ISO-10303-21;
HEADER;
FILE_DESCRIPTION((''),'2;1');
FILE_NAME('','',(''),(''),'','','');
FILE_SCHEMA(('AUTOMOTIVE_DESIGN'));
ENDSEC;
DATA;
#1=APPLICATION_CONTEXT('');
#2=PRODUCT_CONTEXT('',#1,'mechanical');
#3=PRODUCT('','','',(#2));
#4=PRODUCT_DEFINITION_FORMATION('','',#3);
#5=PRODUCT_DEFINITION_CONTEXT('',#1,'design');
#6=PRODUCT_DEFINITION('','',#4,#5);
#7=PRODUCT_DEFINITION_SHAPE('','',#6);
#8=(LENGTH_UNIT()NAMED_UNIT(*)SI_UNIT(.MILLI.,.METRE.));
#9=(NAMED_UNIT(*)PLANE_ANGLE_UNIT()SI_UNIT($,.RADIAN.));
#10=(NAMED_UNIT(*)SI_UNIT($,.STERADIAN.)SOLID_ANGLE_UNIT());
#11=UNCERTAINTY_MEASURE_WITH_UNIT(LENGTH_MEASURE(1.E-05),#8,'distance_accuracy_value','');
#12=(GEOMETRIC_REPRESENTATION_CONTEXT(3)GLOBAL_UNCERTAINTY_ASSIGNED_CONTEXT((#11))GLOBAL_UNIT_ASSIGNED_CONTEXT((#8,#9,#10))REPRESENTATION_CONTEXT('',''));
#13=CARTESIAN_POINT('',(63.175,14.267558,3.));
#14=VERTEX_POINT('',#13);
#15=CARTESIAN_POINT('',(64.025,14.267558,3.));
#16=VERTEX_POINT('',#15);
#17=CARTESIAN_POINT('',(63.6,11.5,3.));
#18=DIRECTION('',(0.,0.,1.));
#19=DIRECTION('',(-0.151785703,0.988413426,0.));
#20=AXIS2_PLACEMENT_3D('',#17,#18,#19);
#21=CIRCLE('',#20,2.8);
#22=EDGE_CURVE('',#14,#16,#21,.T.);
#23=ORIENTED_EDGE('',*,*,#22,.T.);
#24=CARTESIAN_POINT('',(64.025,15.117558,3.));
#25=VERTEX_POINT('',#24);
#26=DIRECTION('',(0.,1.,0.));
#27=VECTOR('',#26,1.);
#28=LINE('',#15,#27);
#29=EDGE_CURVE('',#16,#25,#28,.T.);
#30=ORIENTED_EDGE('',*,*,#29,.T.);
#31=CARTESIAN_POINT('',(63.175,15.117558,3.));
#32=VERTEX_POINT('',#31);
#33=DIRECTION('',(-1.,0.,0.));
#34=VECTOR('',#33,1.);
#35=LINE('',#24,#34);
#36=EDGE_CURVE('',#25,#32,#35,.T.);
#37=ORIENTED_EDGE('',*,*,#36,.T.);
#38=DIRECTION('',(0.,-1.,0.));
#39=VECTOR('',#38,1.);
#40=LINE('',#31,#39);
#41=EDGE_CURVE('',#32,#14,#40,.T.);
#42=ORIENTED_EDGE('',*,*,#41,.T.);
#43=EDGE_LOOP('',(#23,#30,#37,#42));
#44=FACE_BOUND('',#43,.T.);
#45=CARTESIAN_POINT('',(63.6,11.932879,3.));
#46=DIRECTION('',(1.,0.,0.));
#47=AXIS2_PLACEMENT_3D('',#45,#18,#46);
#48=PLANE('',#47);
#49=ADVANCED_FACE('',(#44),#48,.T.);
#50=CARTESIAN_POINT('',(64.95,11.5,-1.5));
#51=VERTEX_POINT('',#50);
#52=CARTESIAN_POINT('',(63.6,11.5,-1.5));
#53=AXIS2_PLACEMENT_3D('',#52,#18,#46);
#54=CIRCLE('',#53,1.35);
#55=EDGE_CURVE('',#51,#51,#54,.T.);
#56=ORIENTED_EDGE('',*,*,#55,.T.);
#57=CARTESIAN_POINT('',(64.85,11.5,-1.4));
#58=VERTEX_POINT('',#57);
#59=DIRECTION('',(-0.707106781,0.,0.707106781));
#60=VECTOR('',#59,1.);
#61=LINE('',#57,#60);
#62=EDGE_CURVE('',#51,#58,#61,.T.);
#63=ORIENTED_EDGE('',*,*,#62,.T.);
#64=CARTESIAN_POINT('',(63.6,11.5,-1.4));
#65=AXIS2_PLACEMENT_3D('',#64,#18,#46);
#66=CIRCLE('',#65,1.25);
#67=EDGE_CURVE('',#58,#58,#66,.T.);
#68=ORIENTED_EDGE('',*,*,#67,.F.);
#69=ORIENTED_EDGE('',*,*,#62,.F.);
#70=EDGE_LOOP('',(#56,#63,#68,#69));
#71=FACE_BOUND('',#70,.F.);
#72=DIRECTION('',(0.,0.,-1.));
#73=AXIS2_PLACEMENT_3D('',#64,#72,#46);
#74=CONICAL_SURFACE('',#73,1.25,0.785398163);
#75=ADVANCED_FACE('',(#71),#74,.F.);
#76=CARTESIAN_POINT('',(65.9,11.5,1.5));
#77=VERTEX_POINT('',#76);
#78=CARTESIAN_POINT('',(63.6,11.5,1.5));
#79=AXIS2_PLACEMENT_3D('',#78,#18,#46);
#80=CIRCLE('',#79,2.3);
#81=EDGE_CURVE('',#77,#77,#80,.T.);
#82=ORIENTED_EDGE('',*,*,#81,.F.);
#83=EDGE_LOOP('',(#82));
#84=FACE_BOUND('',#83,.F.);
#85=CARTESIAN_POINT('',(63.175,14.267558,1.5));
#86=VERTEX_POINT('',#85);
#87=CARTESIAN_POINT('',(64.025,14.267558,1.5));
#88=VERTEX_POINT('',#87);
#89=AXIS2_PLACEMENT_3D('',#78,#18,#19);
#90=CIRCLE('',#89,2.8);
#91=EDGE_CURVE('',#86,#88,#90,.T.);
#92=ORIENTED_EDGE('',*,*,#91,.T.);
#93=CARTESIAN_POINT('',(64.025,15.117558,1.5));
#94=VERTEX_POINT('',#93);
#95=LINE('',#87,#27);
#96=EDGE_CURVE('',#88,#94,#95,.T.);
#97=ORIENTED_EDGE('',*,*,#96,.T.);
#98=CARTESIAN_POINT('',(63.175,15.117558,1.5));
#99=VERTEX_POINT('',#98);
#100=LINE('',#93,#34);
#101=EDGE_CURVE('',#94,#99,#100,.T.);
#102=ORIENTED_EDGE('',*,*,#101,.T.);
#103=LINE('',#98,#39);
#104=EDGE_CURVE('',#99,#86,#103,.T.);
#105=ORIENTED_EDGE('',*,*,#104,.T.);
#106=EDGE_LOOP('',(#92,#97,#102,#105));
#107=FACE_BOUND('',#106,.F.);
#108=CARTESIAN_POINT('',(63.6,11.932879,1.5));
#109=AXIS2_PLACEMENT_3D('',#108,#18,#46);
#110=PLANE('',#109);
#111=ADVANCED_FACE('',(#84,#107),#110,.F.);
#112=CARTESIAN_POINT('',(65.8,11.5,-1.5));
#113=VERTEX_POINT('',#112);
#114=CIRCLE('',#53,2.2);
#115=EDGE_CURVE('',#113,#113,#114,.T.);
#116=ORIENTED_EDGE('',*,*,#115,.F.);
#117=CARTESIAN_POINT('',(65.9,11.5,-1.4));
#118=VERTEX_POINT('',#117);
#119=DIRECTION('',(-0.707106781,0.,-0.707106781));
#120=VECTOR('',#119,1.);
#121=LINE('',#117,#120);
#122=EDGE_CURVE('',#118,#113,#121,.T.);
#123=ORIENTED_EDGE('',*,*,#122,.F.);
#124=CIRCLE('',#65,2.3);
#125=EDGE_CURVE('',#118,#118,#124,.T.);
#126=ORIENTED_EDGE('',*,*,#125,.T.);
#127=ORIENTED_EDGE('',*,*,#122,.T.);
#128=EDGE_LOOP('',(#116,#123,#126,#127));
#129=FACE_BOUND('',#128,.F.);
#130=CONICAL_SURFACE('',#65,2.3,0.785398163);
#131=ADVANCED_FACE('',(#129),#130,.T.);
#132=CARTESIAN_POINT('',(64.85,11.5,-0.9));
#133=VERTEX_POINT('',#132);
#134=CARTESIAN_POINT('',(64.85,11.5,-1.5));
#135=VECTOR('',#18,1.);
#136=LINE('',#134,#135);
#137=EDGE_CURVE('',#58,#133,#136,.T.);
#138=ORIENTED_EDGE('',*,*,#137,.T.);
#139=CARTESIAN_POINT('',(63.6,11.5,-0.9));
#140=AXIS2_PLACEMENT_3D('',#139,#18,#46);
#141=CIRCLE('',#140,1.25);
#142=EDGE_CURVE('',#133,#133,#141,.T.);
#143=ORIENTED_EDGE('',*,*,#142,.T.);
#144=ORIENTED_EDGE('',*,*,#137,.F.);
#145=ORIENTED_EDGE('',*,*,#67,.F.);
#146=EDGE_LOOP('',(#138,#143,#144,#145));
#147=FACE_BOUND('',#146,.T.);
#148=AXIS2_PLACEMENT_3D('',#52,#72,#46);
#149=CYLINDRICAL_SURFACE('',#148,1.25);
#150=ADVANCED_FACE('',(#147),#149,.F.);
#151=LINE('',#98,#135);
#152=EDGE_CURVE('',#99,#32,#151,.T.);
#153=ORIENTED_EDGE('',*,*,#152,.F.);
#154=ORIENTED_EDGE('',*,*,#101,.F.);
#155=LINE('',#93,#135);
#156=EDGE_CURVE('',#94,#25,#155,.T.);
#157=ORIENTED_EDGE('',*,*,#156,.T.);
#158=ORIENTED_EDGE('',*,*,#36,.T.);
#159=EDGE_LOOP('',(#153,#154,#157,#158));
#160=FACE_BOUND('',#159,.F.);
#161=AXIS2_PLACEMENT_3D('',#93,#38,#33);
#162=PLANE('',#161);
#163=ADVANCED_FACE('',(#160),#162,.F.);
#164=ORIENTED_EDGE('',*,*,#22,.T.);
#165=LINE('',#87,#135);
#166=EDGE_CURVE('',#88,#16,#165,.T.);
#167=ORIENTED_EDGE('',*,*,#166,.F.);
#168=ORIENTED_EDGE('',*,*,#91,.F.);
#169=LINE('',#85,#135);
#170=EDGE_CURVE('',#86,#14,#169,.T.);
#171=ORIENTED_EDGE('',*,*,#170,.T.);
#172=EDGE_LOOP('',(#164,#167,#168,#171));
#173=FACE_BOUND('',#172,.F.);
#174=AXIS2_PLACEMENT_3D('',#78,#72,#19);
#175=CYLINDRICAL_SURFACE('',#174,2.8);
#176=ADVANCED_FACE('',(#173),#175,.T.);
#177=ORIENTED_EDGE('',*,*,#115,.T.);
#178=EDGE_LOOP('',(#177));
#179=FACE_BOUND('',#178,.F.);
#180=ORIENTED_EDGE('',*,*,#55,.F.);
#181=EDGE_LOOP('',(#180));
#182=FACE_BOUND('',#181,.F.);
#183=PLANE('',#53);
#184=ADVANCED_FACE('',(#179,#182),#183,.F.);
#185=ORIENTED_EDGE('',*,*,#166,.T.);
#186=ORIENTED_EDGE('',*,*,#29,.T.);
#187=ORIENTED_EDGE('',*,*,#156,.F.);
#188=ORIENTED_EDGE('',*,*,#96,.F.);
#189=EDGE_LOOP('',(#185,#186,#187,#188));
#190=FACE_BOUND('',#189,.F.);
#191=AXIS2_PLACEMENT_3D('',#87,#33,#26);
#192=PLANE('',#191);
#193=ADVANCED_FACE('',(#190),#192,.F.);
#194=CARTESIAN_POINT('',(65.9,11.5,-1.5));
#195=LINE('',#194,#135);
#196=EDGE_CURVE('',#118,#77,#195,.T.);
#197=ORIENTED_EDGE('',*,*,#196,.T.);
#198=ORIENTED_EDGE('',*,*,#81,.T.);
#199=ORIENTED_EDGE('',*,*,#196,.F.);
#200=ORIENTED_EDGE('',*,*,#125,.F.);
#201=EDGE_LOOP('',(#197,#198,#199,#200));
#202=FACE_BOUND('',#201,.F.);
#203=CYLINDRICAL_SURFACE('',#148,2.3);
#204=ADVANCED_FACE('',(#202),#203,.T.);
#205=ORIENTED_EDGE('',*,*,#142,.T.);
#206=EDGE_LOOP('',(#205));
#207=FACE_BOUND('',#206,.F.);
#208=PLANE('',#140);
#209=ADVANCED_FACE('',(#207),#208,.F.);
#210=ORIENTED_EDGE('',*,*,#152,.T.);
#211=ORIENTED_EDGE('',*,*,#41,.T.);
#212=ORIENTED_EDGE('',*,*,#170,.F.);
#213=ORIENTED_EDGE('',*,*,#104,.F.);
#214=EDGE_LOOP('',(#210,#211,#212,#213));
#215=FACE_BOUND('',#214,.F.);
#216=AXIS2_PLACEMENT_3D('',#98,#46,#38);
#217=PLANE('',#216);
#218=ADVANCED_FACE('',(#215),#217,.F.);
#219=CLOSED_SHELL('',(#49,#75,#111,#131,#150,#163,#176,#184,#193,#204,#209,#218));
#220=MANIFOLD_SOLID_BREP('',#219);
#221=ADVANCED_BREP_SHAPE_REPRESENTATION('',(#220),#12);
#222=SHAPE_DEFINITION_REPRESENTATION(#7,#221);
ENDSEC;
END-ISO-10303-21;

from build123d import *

# Parameters (mm, degrees)
SKETCH058_R     = 2.3
PAD040_DEPTH    = 3
PAD041_DEPTH    = 1.5
SKETCH060_R     = 1.25
POCKET011_DEPTH = 0.6
CHAMFER005_SIZE = 0.1


with BuildPart() as part:
    # Sketch058 → Pad040 (new body)
    with BuildSketch(Plane.XY):
        Circle(SKETCH058_R)
    extrude(amount=PAD040_DEPTH)

    # Sketch059 (on Face3 of Pad040) → Pad041 (join)
    with BuildSketch(Plane.XY.offset(3)):
        with BuildLine():
            Line((0.425, 2.767558), (0.425, 3.617558))
            Line((0.425, 3.617558), (-0.425, 3.617558))
            Line((-0.425, 3.617558), (-0.425, 2.767558))
            ThreePointArc((-0.425, 2.767558), (0, -2.8), (0.425, 2.767558))
        make_face()
    extrude(amount=PAD041_DEPTH)

    # Sketch060 → Pocket011 (cut)
    with BuildSketch(Plane.XY):
        Circle(SKETCH060_R)
    extrude(amount=POCKET011_DEPTH, mode=Mode.SUBTRACT)

    # Chamfer005
    chamfer005_edges = [part.edges().sort_by_distance(p)[0] for p in [
        (-1.25, 0, 0),
        (-2.3, 0, 0),
    ]]
    chamfer(chamfer005_edges, length=CHAMFER005_SIZE)


with BuildPart() as part_1:
    # Body017 placement: moved
    add(part.part.moved(Location((63.6, 11.5, -1.5))))


solid = part_1.part
